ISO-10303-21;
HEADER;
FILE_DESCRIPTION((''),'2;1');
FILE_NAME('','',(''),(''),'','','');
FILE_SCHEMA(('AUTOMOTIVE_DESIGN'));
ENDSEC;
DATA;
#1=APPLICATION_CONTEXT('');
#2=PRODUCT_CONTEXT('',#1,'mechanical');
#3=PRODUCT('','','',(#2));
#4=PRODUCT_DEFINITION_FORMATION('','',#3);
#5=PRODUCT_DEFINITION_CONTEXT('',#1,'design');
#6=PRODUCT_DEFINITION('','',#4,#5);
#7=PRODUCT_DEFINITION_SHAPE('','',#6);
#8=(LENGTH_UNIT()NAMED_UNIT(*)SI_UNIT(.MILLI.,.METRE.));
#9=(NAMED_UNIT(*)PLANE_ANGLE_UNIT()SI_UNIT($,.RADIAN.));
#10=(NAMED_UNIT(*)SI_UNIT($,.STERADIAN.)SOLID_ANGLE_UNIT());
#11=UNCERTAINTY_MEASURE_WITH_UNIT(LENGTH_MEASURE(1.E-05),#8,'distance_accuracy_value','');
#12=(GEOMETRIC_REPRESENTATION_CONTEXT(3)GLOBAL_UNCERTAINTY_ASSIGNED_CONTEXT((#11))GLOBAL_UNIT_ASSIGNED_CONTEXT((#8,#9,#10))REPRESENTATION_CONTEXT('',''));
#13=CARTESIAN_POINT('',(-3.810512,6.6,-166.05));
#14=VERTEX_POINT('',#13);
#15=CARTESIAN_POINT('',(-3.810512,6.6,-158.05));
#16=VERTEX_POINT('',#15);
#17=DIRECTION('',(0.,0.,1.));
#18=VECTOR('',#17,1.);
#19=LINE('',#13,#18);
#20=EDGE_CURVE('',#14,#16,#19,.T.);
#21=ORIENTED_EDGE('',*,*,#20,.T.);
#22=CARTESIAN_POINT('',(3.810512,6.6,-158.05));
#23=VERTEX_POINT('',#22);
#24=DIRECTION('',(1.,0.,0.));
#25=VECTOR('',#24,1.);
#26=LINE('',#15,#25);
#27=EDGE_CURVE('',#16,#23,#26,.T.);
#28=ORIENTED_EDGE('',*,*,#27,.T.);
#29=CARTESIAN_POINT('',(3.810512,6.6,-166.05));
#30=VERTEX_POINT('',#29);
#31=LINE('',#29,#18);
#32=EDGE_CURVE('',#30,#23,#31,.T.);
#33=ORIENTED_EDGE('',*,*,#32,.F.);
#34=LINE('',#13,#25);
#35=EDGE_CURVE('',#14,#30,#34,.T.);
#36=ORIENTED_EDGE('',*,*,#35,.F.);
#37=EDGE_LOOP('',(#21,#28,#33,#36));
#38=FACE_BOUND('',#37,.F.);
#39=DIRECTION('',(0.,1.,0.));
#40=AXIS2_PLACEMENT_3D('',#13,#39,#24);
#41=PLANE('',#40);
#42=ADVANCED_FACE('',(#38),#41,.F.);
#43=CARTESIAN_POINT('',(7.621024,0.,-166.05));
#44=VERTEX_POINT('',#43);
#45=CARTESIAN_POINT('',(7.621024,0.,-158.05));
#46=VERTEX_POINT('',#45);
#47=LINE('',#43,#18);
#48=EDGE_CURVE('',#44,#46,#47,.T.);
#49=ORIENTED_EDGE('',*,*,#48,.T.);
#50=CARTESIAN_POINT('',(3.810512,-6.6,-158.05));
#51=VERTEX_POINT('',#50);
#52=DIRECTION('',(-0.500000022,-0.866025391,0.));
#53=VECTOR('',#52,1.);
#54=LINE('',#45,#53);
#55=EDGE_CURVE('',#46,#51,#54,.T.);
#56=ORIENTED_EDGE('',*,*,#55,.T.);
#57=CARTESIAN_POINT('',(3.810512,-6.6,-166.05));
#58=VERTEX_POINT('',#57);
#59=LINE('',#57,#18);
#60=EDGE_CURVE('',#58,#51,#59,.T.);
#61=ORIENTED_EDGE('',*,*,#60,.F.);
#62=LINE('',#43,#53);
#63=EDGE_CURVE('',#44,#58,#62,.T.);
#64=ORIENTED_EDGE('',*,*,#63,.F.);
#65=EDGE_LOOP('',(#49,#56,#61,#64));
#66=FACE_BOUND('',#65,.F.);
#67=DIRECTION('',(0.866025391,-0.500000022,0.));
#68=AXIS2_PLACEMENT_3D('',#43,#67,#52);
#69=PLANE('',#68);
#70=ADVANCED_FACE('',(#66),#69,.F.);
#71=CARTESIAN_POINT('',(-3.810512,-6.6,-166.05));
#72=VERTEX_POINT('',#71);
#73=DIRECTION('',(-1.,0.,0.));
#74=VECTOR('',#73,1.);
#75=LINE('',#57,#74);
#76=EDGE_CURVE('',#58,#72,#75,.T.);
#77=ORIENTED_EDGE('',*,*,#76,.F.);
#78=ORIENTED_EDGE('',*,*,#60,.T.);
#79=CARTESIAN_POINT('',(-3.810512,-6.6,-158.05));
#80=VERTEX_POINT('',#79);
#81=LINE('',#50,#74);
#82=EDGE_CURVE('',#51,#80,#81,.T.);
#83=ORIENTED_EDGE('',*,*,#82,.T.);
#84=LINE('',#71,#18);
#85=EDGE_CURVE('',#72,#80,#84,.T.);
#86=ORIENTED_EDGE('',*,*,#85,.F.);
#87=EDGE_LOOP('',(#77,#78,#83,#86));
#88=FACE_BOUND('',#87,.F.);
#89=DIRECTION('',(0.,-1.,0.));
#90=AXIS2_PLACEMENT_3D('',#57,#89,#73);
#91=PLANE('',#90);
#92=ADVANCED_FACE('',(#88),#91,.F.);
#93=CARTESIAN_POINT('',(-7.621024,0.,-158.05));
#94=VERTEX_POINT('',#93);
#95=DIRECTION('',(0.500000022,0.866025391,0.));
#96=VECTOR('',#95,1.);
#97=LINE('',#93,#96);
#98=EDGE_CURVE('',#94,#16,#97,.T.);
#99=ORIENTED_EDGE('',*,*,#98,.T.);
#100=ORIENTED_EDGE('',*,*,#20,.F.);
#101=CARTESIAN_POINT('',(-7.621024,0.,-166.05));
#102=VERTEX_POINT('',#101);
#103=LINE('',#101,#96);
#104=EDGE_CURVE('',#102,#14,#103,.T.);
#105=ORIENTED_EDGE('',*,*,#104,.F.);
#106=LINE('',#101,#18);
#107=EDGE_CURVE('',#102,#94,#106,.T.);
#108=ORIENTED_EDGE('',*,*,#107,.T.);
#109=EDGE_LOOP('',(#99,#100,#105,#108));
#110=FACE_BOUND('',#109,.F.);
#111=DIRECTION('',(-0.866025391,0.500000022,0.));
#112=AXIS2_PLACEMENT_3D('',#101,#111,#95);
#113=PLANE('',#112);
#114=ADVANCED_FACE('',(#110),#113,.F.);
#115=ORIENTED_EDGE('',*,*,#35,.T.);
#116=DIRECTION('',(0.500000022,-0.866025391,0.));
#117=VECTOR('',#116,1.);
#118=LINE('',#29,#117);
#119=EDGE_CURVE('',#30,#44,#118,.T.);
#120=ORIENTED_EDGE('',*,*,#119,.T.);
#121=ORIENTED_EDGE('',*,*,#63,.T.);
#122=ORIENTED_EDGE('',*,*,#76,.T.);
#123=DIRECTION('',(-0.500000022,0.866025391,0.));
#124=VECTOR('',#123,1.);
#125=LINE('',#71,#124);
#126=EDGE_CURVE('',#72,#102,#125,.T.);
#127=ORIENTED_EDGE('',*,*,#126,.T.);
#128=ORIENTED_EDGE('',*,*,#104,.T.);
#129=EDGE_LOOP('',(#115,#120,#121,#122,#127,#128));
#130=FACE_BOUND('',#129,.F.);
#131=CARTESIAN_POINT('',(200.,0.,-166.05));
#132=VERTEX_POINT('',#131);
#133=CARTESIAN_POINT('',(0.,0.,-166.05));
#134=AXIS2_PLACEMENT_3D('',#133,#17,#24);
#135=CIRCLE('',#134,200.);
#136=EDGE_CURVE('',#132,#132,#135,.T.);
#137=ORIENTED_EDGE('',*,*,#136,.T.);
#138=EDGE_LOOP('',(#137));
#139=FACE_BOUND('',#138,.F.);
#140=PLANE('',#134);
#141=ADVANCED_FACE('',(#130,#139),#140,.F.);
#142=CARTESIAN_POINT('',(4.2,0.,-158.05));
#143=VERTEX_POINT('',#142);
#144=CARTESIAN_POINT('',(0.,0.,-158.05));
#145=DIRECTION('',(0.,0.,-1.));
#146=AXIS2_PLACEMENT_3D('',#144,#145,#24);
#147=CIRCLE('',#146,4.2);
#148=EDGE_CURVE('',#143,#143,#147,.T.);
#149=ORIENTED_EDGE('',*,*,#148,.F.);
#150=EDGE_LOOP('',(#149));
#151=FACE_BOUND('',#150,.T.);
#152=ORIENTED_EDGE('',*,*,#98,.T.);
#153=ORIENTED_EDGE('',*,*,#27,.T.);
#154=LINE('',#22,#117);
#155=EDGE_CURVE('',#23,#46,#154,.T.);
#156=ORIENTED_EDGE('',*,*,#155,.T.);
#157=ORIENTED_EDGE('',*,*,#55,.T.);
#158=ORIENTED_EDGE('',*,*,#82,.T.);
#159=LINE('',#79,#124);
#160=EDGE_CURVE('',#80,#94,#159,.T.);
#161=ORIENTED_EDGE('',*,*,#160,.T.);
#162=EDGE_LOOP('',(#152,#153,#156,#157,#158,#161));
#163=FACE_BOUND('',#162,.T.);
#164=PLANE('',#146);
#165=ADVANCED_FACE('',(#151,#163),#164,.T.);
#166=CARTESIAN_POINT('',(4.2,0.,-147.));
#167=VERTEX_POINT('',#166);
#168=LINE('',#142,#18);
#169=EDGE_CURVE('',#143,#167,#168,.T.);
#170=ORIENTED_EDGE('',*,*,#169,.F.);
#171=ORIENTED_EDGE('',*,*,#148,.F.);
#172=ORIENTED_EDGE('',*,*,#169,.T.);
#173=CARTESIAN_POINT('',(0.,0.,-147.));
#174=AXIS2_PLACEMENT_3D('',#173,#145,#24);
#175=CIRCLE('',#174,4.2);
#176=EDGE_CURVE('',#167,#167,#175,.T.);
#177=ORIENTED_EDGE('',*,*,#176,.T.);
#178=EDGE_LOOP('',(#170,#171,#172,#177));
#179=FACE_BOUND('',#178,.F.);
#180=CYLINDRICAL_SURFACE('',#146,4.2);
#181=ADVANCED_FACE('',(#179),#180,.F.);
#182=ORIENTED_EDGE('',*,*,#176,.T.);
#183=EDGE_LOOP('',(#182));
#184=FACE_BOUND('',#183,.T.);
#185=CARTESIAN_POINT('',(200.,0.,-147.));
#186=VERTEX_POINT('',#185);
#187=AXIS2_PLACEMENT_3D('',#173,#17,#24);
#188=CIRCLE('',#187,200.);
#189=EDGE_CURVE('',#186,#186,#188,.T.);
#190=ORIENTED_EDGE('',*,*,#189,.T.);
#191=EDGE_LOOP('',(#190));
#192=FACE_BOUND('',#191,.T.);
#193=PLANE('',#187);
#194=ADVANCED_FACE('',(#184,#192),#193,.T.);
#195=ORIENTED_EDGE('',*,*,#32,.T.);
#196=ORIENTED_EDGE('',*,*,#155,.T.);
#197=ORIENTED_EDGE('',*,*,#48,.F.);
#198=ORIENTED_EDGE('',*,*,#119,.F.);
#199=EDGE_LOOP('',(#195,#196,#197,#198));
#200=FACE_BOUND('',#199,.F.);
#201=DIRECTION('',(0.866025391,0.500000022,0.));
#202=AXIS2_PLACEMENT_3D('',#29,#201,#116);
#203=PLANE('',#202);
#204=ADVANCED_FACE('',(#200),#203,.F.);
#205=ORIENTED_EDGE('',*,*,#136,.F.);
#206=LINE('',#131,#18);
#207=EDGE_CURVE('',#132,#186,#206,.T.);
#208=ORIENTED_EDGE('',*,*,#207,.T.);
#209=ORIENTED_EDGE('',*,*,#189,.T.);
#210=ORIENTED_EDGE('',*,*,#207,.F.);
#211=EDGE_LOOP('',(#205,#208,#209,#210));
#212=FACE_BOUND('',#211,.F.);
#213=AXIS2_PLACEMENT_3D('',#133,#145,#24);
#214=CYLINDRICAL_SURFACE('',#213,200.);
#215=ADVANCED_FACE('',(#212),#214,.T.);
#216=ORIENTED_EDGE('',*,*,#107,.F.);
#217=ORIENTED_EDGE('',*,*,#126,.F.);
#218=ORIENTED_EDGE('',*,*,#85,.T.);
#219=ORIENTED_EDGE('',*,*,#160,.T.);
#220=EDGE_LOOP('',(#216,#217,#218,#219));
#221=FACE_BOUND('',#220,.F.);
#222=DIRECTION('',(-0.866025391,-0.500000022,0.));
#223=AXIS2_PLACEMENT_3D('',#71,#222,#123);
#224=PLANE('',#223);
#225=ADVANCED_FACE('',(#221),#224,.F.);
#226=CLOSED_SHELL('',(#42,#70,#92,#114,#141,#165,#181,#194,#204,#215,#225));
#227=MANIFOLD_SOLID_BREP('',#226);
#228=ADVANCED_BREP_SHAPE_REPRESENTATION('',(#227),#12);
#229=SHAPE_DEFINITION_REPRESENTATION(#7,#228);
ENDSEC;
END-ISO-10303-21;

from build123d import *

# Parameters (mm, degrees)
CYLINDER006_R     = 200
CYLINDER006_DEPTH = 19.05
POCKET045_DEPTH   = 8
SKETCH106_R       = 4.2
HOLE037_DEPTH     = 11.051


with BuildPart() as part:
    # Cylinder006 → Cylinder006 (join)
    with BuildSketch(Plane.XY.offset(-19.05)):
        Circle(CYLINDER006_R)
    extrude(amount=CYLINDER006_DEPTH)

    # Sketch105 (on Face3 of Cylinder006) → Pocket045 (cut)
    with BuildSketch(Plane(origin=(0, 0, -19.05), x_dir=(1, 0, 0), z_dir=(0, 0, -1))):
        Polygon((3.810512, -6.6), (7.621024, 0), (3.810512, 6.6), (-3.810512, 6.6), (-7.621024, 0), (-3.810512, -6.6), align=None)
    extrude(amount=-POCKET045_DEPTH, mode=Mode.SUBTRACT)

    # Sketch106 (on Face10 of Pocket045) → Hole037 (cut, through all)
    with BuildSketch(Plane(origin=(0, 0, -11.05), x_dir=(1, 0, 0), z_dir=(0, 0, -1))):
        Circle(SKETCH106_R)
    extrude(amount=-HOLE037_DEPTH, mode=Mode.SUBTRACT)


with BuildPart() as part_1:
    # Body022020 placement: moved
    add(part.part.moved(Location((0, 0, -147))))


solid = part_1.part
